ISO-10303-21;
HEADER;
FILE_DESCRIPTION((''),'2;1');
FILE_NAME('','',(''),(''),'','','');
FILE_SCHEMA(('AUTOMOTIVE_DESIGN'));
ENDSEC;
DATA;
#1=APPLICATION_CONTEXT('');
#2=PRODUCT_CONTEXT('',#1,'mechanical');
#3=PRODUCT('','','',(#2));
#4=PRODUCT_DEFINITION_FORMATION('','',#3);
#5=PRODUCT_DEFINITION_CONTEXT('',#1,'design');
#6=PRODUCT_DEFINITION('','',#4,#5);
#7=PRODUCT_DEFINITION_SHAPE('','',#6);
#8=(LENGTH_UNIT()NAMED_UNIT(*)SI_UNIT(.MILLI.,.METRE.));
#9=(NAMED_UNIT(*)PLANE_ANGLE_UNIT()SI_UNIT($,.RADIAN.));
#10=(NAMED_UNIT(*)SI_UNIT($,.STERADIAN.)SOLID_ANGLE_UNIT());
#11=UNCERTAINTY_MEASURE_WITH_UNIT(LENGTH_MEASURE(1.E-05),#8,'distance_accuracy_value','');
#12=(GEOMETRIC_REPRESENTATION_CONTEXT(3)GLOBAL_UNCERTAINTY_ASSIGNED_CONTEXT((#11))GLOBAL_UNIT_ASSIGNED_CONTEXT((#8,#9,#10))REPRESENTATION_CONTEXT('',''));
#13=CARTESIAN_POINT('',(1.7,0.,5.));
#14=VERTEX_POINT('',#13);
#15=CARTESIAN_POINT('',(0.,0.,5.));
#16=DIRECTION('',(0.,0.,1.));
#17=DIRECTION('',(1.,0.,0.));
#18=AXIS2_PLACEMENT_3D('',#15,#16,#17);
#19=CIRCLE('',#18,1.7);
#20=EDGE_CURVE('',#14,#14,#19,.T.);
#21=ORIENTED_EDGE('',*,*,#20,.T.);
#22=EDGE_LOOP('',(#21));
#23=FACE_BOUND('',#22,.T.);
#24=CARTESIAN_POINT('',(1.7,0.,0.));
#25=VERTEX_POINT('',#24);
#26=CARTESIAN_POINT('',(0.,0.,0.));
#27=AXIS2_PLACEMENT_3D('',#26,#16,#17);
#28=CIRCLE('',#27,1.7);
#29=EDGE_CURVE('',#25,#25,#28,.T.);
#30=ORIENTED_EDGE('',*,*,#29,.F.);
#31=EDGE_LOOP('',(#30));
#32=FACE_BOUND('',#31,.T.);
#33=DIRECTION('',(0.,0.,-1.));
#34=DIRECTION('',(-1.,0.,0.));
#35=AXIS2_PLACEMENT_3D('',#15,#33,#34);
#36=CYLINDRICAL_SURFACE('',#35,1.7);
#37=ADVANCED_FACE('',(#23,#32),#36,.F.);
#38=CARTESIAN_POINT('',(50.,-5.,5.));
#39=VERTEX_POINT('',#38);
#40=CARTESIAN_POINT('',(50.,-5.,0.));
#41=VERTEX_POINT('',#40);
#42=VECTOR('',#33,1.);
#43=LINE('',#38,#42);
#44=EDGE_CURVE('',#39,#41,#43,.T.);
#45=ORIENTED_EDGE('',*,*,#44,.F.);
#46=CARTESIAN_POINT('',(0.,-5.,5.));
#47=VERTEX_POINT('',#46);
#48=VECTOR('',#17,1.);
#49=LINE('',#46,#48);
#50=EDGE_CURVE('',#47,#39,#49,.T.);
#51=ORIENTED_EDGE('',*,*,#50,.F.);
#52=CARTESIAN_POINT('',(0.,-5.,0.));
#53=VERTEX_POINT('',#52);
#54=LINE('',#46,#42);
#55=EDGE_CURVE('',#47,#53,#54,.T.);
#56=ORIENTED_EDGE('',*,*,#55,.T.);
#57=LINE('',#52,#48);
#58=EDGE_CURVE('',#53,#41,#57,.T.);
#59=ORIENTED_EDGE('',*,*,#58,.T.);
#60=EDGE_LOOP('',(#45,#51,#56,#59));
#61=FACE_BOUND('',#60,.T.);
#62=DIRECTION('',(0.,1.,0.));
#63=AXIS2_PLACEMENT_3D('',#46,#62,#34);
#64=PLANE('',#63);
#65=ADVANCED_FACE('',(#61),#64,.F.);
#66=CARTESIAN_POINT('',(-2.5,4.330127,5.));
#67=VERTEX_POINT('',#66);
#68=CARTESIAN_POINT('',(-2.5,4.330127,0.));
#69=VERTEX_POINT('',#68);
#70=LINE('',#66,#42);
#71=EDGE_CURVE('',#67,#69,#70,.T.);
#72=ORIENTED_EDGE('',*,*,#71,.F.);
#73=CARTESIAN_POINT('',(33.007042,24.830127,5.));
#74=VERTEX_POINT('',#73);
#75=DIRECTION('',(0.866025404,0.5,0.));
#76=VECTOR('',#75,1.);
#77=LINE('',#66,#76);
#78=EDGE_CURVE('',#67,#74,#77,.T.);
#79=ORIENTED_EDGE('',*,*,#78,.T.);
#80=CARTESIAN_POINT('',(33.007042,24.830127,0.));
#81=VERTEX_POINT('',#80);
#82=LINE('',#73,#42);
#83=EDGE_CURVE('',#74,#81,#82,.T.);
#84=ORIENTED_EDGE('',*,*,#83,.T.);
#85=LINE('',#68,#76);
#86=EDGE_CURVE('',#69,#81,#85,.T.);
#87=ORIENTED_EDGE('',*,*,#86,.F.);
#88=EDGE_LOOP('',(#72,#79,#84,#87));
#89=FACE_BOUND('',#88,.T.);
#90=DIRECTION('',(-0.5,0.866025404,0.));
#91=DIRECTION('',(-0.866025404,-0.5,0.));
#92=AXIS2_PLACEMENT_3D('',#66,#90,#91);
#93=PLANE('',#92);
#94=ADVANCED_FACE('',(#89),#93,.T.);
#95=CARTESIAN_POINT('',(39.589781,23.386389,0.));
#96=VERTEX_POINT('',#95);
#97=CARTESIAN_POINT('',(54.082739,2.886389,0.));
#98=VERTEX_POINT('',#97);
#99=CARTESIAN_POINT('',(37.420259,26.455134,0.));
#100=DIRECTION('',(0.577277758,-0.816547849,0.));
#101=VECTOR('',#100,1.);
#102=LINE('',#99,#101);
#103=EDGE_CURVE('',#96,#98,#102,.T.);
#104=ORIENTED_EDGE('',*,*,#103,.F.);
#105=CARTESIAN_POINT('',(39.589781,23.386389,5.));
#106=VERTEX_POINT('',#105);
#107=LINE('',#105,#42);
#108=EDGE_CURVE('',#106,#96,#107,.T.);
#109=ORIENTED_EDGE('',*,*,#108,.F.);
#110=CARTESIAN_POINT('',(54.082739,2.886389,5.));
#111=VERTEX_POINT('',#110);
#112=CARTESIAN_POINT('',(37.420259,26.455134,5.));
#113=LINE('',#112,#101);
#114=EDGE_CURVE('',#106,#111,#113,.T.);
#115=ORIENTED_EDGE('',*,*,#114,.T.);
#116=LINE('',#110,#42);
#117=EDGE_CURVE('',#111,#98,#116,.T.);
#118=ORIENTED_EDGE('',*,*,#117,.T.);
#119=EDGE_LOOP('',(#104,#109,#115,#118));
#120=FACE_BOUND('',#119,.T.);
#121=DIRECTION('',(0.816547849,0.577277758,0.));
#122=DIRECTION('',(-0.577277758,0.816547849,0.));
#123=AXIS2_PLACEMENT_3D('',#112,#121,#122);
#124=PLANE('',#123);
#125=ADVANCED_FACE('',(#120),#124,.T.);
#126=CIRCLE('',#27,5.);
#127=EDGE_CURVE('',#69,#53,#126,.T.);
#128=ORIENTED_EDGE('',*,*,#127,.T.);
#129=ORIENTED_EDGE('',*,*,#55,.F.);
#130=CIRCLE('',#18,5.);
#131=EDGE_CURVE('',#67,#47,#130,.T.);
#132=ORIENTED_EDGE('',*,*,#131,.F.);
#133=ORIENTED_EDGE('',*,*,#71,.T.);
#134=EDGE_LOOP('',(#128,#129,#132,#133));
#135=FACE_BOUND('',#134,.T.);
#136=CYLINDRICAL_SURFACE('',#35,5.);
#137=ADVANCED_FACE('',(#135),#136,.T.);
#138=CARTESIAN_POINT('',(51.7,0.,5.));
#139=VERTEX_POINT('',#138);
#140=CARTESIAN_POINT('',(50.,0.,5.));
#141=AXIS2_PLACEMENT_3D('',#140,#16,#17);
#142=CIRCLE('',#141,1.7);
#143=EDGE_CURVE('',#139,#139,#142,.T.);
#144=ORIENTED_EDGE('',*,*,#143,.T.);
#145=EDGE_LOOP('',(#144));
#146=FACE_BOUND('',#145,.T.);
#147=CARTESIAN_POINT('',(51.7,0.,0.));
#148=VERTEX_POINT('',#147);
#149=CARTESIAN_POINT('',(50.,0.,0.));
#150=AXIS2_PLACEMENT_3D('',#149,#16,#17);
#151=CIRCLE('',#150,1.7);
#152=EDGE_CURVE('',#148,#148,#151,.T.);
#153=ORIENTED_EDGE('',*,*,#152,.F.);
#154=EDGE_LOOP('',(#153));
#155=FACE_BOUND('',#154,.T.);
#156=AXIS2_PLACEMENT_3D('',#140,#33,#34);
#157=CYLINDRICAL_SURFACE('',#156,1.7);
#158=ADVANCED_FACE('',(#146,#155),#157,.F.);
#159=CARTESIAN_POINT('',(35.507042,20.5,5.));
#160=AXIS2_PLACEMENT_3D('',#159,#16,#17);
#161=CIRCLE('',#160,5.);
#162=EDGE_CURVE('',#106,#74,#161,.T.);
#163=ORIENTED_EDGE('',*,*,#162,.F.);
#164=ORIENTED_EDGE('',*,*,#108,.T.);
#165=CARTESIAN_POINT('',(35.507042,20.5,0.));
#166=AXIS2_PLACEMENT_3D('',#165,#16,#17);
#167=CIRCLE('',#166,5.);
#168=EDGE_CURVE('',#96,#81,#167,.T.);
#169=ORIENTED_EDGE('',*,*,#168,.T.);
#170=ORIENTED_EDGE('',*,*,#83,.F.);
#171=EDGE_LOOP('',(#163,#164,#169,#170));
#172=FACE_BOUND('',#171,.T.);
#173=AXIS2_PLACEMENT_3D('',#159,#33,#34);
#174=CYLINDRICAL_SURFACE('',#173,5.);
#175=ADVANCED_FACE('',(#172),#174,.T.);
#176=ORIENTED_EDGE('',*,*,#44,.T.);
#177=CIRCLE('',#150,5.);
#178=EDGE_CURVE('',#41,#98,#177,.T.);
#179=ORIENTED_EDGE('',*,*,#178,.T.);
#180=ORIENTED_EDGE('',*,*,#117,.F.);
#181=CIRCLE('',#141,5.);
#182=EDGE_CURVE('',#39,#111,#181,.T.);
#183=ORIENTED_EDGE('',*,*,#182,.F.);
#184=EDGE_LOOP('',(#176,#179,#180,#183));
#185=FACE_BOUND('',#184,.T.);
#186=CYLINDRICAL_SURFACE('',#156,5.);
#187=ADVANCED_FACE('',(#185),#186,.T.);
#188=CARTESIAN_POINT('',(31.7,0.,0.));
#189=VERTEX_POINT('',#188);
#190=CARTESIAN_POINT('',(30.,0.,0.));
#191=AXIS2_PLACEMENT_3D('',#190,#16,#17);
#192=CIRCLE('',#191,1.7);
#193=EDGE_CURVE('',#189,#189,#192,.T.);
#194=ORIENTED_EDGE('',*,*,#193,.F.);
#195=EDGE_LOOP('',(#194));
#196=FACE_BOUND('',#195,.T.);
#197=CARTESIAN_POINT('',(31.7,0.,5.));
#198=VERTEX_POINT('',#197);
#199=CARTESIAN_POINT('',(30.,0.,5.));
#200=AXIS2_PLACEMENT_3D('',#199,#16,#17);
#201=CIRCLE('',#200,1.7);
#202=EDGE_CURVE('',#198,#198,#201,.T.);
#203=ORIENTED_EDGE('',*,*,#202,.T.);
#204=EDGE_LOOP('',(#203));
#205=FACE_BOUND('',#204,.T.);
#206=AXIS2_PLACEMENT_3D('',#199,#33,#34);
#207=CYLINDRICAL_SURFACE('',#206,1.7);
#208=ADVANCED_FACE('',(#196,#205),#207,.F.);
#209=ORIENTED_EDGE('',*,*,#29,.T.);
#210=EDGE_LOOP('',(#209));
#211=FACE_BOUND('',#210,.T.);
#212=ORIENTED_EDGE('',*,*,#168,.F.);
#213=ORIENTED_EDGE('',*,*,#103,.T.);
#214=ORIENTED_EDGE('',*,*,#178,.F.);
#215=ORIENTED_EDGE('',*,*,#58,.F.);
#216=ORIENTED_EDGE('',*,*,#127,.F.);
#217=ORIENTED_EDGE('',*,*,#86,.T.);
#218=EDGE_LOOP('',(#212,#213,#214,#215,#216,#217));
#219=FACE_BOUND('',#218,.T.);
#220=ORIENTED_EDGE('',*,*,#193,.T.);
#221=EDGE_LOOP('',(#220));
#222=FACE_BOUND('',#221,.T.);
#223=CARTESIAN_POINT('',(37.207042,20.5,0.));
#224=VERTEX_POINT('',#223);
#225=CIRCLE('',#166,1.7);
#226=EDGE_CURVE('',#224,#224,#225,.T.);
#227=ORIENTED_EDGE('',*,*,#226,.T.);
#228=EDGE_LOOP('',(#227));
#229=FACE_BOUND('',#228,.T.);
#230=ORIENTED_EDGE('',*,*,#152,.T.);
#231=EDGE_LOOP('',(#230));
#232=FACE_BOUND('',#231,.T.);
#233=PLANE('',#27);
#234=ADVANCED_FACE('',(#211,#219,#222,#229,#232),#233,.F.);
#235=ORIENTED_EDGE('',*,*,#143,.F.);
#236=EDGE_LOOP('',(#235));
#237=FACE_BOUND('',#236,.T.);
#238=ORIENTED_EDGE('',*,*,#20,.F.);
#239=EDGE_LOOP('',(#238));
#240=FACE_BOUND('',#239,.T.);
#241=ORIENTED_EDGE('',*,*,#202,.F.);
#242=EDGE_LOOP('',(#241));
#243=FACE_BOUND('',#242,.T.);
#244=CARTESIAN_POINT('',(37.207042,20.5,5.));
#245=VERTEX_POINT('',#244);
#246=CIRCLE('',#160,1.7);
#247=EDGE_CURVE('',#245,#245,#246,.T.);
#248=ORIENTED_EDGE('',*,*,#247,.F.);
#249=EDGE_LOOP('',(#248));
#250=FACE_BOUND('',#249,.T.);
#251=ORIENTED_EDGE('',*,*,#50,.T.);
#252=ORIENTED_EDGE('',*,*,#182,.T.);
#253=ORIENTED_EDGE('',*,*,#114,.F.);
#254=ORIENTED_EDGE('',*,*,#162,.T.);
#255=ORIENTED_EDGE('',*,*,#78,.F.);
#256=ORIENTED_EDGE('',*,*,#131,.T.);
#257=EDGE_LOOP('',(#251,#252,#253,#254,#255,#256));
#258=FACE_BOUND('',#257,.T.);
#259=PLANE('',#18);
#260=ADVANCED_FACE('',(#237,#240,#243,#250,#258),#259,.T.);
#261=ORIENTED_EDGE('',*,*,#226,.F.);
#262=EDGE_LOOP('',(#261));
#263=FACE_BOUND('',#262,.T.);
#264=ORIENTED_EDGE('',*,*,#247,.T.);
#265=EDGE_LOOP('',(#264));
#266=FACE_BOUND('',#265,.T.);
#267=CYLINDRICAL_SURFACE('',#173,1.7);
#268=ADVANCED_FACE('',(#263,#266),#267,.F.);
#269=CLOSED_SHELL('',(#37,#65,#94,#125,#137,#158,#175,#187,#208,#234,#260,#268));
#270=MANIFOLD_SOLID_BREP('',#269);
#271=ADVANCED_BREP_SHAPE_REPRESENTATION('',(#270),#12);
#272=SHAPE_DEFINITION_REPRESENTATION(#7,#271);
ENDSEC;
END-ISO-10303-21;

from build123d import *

# Parameters (mm, degrees)
SKETCH_1_R      = 1.7
EXTRUDE_1_DEPTH = 5


with BuildPart() as part:
    # ｽｹｯﾁ1 → ﾎﾞｽ - 押し出し1 (new body)
    with BuildSketch(Plane.XY):
        with BuildLine():
            Line((54.082739258, 2.886388773), (39.5897808, 23.386388791))
            ThreePointArc((39.5897808, 23.386388791), (36.578191054, 25.383916333), (33.007041847, 24.830127187))
            Line((33.007041847, 24.830127187), (-2.50000007, 4.330126978))
            ThreePointArc((-2.50000007, 4.330126978), (-4.829629126, -1.294095246), (-3.8e-08, -5))
            Line((-3.8e-08, -5), (50, -5))
            ThreePointArc((50, -5), (54.440267102, -2.298701387), (54.082739258, 2.886388773))
        make_face()
        Circle(SKETCH_1_R, mode=Mode.SUBTRACT)
        with Locations((30, 0)):
            Circle(SKETCH_1_R, mode=Mode.SUBTRACT)
        with Locations((35.507041555, 20.5)):
            Circle(SKETCH_1_R, mode=Mode.SUBTRACT)
        with Locations((50, 0)):
            Circle(SKETCH_1_R, mode=Mode.SUBTRACT)
    extrude(amount=EXTRUDE_1_DEPTH)


solid = part.part
